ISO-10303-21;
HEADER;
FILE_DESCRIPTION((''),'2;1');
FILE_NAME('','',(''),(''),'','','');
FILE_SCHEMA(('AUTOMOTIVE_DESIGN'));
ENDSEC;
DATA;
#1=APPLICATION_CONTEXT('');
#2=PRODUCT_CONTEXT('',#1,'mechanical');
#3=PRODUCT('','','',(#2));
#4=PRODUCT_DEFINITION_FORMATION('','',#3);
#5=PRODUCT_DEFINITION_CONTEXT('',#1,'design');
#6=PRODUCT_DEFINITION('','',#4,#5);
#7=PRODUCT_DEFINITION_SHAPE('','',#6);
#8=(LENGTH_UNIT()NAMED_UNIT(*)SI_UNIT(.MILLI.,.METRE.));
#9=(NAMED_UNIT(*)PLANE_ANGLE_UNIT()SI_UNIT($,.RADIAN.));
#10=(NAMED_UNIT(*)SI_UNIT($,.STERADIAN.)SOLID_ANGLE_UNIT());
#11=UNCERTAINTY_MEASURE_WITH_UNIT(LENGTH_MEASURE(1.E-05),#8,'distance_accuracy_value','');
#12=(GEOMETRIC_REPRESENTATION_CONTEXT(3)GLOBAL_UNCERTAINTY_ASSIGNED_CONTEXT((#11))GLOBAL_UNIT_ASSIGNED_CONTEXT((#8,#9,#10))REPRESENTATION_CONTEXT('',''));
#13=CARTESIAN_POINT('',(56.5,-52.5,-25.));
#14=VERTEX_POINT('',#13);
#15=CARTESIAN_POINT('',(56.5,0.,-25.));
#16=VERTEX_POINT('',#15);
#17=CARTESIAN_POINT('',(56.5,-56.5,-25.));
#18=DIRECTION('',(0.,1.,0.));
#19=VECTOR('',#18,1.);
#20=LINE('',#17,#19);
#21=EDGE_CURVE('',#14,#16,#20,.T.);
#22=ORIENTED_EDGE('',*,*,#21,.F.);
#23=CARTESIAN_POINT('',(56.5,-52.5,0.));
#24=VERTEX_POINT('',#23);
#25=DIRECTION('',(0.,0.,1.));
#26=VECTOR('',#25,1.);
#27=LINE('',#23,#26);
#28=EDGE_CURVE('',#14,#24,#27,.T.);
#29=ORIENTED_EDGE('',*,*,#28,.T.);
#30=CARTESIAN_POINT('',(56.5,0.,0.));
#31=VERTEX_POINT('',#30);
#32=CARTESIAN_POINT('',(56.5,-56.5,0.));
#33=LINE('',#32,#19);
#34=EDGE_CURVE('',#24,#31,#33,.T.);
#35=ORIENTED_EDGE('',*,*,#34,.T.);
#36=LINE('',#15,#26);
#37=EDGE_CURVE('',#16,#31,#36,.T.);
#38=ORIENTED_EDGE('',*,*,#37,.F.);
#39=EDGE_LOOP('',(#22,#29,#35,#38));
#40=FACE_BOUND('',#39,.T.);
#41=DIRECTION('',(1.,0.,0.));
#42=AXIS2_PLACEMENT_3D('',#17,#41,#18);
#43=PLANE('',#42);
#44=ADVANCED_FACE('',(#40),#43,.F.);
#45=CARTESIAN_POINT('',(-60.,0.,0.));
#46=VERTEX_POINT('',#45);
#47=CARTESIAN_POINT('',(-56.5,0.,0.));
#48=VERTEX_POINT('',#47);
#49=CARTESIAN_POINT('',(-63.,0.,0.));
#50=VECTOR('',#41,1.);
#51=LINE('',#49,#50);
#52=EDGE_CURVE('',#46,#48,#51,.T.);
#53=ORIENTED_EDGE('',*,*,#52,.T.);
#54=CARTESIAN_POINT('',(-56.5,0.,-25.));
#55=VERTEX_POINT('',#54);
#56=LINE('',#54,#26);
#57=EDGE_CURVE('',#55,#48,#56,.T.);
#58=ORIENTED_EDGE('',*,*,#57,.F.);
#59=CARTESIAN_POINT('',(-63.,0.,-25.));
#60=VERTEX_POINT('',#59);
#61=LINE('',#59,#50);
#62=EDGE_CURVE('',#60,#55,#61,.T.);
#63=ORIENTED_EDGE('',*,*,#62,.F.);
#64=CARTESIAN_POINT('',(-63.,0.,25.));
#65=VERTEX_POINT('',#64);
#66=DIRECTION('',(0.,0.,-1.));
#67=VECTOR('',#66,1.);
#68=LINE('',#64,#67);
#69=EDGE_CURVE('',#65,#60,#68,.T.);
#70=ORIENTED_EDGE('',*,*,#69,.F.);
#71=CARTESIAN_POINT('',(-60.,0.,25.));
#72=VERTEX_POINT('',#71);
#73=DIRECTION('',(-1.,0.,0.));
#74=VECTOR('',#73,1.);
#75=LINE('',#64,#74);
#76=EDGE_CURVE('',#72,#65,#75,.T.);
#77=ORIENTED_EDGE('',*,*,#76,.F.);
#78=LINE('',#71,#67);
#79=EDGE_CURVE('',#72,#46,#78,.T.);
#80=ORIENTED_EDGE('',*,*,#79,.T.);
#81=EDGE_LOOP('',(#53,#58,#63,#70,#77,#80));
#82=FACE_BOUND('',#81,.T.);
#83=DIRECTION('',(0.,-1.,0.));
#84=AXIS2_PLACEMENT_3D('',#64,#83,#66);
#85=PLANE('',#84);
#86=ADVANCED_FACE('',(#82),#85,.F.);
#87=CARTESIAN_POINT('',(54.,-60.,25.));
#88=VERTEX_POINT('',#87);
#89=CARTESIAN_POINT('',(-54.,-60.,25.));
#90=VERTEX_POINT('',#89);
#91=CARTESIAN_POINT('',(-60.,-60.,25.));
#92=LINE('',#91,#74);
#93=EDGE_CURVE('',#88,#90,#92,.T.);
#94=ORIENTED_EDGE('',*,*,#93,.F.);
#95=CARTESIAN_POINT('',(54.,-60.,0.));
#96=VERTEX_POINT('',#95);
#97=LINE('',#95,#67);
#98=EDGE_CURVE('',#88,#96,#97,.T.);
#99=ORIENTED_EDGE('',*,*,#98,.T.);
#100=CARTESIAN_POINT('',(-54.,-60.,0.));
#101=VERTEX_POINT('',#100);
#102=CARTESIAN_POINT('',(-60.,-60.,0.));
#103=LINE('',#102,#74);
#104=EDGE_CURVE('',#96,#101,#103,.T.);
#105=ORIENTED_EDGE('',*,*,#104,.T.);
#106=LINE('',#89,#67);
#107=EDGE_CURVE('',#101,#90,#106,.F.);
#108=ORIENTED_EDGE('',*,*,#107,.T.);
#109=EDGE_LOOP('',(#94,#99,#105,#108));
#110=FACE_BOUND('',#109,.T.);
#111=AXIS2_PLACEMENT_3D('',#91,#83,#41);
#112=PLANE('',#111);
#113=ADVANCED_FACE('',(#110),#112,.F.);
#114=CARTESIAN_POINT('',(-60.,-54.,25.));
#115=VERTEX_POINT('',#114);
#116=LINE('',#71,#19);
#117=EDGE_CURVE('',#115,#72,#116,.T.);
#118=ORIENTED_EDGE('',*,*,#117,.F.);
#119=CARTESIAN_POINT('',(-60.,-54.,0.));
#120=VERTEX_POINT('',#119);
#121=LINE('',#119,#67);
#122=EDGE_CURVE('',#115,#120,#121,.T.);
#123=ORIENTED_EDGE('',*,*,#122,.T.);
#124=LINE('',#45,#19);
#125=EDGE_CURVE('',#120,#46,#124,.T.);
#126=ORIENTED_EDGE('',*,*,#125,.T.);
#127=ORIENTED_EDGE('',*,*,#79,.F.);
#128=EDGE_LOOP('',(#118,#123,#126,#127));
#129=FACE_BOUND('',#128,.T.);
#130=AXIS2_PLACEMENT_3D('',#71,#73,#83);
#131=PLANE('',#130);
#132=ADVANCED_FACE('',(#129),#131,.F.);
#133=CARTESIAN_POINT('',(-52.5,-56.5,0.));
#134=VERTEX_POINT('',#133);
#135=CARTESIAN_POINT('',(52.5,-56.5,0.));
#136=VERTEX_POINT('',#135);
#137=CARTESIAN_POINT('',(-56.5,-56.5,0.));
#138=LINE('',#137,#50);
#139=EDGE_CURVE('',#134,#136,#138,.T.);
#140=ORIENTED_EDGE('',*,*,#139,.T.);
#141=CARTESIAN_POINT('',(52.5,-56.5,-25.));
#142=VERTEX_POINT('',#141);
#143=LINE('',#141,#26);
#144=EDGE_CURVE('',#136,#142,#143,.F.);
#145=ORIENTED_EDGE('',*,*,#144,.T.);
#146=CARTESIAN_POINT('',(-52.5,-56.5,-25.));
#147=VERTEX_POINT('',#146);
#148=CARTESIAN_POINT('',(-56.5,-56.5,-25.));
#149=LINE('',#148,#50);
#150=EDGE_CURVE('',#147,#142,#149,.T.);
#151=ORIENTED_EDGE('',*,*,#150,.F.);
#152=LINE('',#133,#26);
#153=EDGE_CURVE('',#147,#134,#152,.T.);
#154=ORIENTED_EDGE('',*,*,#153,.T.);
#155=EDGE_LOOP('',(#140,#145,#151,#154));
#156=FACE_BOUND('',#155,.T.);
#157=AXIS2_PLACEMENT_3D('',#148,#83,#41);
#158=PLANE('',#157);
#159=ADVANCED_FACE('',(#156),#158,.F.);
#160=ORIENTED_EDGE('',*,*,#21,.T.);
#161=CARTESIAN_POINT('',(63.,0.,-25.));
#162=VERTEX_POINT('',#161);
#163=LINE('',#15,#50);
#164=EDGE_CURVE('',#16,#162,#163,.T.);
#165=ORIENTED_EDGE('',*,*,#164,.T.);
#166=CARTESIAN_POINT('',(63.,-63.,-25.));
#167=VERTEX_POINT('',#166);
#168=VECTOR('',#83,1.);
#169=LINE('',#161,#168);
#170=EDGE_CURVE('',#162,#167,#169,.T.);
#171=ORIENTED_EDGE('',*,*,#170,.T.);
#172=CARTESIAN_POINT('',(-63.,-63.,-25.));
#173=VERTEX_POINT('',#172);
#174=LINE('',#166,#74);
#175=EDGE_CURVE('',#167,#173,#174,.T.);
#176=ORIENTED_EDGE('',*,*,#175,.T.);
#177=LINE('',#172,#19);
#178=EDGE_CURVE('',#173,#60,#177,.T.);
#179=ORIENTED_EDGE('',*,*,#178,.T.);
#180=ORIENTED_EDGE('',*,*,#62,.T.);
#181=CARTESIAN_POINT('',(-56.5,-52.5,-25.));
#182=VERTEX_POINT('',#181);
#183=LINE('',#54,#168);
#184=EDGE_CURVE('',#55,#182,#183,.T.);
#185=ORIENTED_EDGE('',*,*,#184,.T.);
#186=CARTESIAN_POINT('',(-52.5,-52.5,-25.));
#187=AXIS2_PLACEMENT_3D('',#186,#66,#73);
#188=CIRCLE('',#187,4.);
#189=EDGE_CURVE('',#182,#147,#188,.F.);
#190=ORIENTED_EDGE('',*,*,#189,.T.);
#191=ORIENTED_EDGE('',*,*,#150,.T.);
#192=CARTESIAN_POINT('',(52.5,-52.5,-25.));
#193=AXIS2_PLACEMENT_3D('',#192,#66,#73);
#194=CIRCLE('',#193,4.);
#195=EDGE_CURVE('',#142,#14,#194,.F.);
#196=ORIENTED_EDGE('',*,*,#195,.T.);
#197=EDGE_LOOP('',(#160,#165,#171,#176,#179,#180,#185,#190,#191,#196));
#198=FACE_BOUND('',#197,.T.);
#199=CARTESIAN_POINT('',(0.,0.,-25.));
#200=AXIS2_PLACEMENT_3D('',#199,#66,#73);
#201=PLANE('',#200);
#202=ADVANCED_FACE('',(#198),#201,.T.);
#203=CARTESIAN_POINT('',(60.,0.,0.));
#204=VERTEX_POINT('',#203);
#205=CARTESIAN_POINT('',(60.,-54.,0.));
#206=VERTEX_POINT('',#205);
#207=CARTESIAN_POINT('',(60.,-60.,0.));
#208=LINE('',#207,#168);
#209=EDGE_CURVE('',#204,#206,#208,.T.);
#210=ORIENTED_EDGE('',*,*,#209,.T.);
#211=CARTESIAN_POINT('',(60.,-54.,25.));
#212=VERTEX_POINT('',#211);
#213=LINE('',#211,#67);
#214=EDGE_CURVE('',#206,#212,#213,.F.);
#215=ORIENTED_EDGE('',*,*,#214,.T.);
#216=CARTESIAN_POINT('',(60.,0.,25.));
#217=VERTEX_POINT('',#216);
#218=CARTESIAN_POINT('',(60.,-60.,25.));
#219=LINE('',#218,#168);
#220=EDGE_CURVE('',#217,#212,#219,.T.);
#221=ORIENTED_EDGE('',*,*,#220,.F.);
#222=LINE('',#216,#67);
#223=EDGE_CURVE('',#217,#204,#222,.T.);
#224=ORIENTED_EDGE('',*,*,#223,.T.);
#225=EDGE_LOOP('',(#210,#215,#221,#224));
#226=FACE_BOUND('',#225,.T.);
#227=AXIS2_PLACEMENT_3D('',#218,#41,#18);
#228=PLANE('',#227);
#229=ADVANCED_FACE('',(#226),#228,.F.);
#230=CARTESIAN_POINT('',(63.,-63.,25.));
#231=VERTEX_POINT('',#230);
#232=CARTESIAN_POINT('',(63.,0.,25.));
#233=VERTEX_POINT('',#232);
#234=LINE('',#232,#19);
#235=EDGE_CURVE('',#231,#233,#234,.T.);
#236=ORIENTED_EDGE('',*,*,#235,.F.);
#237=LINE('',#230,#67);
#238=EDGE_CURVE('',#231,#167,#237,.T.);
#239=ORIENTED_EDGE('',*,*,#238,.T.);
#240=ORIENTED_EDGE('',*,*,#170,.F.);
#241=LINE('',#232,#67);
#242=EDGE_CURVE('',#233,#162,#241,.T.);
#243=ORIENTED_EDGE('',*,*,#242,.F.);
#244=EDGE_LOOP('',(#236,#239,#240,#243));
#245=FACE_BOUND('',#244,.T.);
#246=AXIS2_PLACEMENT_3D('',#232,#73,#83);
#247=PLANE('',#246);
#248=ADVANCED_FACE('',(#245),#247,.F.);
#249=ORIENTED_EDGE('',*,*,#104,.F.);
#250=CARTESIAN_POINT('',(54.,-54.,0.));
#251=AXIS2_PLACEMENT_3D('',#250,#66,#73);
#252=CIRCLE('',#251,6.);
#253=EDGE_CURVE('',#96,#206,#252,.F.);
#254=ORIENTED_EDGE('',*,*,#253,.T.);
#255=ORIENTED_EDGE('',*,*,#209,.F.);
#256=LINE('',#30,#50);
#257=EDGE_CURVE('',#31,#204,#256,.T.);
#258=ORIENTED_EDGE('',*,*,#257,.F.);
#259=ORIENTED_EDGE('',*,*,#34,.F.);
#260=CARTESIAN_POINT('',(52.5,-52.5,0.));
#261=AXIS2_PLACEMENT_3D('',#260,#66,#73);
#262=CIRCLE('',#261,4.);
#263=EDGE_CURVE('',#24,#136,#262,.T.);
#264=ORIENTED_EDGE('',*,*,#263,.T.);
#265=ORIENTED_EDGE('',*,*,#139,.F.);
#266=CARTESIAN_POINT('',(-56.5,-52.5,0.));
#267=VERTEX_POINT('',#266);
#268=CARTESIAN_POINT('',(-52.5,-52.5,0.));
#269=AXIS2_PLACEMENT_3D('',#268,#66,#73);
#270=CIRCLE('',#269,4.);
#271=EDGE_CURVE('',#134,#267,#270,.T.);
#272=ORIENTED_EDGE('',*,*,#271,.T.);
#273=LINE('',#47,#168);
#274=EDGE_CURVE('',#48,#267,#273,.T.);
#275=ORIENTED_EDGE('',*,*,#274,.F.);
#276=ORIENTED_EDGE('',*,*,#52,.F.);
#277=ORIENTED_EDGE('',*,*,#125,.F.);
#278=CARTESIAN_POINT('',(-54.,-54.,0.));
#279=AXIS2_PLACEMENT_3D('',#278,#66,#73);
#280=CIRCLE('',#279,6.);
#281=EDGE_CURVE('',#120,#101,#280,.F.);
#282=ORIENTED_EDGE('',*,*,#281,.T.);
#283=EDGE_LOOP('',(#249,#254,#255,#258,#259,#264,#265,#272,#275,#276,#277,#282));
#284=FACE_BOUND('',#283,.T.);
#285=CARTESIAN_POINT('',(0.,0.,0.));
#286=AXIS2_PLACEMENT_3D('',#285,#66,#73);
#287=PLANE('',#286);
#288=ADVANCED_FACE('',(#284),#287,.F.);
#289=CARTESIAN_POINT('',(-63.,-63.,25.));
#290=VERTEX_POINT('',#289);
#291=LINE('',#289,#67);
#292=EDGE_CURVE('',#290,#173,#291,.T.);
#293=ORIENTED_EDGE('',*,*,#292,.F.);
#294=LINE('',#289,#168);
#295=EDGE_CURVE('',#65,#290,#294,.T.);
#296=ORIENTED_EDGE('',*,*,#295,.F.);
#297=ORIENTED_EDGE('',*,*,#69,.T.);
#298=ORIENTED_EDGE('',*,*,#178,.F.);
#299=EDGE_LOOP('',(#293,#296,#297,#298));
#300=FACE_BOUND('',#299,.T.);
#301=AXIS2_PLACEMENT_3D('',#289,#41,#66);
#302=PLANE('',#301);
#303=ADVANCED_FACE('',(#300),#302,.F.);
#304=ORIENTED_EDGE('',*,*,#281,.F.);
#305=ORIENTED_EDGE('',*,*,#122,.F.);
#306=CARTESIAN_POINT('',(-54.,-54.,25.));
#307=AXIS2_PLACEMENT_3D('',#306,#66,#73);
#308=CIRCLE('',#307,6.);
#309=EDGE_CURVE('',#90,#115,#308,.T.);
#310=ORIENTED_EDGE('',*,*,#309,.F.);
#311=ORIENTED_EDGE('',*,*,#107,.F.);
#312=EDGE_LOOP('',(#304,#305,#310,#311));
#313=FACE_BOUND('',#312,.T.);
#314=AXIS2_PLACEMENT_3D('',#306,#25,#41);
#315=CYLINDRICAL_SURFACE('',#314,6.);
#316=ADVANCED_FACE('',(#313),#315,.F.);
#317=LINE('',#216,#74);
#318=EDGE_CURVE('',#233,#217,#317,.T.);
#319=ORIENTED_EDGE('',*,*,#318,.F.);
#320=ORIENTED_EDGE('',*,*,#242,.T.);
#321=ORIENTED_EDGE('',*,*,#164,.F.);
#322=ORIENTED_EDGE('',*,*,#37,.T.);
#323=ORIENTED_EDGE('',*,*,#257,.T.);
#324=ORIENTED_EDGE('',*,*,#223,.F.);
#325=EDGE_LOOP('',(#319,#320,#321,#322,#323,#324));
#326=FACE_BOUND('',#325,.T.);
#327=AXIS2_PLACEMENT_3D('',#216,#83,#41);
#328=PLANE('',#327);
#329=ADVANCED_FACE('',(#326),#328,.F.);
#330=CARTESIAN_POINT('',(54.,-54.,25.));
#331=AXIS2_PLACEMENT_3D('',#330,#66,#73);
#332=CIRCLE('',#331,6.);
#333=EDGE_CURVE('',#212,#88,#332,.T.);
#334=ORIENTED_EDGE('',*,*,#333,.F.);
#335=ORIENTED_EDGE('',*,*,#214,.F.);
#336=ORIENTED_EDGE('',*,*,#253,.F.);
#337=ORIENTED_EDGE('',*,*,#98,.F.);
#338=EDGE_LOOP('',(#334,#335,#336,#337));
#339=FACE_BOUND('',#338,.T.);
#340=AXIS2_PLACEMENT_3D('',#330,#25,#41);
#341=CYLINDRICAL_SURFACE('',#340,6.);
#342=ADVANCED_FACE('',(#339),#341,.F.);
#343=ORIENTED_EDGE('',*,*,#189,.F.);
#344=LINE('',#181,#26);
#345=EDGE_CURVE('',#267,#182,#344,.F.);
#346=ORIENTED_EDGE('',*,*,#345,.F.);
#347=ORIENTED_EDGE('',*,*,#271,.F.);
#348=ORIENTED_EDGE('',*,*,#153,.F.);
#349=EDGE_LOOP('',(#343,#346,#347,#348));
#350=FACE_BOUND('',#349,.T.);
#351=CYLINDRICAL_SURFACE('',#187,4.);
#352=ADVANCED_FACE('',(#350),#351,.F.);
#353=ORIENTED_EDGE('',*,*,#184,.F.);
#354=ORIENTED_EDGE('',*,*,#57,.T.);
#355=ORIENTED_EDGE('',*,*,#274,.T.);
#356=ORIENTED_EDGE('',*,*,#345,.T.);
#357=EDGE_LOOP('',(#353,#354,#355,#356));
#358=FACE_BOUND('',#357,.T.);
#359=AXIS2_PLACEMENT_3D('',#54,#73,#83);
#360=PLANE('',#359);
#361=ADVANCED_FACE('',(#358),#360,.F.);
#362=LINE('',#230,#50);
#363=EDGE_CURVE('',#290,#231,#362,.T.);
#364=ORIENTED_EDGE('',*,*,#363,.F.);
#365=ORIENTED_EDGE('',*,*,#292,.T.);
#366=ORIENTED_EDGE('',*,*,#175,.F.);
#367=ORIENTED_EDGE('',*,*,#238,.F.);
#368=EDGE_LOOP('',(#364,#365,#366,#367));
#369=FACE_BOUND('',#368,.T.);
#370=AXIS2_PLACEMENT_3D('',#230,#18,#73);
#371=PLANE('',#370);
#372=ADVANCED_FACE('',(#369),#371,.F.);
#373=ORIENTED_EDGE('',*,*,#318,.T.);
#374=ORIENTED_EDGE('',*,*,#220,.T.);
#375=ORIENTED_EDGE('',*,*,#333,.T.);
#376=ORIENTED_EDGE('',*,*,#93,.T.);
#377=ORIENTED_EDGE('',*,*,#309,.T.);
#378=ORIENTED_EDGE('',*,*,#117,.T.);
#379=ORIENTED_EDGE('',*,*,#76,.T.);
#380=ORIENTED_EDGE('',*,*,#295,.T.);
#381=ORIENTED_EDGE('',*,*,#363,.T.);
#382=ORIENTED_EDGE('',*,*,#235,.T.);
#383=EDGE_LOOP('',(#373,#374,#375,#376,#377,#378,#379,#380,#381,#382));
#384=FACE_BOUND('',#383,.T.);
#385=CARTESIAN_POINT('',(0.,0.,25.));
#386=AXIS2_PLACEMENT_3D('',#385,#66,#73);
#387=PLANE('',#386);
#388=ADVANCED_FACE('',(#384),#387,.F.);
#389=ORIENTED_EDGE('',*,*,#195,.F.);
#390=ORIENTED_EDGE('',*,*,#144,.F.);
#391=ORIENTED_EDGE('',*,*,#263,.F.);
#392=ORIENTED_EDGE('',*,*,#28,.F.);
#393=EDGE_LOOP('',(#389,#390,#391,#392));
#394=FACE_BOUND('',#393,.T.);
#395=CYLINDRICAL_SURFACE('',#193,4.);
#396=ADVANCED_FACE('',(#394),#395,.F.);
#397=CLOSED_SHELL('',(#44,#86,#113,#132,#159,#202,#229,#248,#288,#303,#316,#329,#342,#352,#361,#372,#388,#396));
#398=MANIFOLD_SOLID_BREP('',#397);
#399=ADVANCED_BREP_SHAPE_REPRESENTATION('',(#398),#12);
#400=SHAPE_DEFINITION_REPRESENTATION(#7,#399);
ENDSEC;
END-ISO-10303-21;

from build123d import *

# Parameters (mm, degrees)
BOSS_EXTRUDE1_DEPTH = 25
FILLET1_R           = 6
BOSS_EXTRUDE2_DEPTH = 25
FILLET2_R           = 4


with BuildPart() as part:
    # Sketch2 → Boss-Extrude1 (new body)
    with BuildSketch(Plane.XY):
        Polygon((-63, 0), (-60, 0), (-60, -60), (60, -60), (60, 0), (63, 0), (63, -63), (-63, -63), align=None)
    extrude(amount=BOSS_EXTRUDE1_DEPTH)

    # Fillet1
    fillet1_edges = [part.edges().sort_by_distance(p)[0] for p in [
        (-60, -60, 12.5),
        (60, -60, 12.5),
    ]]
    fillet(fillet1_edges, radius=FILLET1_R)

    # Sketch3 → Boss-Extrude2 (add)
    with BuildSketch(Plane(origin=(0, 0, 0), x_dir=(-1, 0, 0), z_dir=(0, 0, -1))):
        Polygon((63, -63), (63, 0), (56.5, 0), (56.5, -56.5), (-56.5, -56.5), (-56.5, 0), (-63, 0), (-63, -63), align=None)
    extrude(amount=BOSS_EXTRUDE2_DEPTH)

    # Fillet2
    fillet2_edges = [part.edges().sort_by_distance(p)[0] for p in [
        (-56.5, -56.5, -12.5),
        (56.5, -56.5, -12.5),
    ]]
    fillet(fillet2_edges, radius=FILLET2_R)


solid = part.part
